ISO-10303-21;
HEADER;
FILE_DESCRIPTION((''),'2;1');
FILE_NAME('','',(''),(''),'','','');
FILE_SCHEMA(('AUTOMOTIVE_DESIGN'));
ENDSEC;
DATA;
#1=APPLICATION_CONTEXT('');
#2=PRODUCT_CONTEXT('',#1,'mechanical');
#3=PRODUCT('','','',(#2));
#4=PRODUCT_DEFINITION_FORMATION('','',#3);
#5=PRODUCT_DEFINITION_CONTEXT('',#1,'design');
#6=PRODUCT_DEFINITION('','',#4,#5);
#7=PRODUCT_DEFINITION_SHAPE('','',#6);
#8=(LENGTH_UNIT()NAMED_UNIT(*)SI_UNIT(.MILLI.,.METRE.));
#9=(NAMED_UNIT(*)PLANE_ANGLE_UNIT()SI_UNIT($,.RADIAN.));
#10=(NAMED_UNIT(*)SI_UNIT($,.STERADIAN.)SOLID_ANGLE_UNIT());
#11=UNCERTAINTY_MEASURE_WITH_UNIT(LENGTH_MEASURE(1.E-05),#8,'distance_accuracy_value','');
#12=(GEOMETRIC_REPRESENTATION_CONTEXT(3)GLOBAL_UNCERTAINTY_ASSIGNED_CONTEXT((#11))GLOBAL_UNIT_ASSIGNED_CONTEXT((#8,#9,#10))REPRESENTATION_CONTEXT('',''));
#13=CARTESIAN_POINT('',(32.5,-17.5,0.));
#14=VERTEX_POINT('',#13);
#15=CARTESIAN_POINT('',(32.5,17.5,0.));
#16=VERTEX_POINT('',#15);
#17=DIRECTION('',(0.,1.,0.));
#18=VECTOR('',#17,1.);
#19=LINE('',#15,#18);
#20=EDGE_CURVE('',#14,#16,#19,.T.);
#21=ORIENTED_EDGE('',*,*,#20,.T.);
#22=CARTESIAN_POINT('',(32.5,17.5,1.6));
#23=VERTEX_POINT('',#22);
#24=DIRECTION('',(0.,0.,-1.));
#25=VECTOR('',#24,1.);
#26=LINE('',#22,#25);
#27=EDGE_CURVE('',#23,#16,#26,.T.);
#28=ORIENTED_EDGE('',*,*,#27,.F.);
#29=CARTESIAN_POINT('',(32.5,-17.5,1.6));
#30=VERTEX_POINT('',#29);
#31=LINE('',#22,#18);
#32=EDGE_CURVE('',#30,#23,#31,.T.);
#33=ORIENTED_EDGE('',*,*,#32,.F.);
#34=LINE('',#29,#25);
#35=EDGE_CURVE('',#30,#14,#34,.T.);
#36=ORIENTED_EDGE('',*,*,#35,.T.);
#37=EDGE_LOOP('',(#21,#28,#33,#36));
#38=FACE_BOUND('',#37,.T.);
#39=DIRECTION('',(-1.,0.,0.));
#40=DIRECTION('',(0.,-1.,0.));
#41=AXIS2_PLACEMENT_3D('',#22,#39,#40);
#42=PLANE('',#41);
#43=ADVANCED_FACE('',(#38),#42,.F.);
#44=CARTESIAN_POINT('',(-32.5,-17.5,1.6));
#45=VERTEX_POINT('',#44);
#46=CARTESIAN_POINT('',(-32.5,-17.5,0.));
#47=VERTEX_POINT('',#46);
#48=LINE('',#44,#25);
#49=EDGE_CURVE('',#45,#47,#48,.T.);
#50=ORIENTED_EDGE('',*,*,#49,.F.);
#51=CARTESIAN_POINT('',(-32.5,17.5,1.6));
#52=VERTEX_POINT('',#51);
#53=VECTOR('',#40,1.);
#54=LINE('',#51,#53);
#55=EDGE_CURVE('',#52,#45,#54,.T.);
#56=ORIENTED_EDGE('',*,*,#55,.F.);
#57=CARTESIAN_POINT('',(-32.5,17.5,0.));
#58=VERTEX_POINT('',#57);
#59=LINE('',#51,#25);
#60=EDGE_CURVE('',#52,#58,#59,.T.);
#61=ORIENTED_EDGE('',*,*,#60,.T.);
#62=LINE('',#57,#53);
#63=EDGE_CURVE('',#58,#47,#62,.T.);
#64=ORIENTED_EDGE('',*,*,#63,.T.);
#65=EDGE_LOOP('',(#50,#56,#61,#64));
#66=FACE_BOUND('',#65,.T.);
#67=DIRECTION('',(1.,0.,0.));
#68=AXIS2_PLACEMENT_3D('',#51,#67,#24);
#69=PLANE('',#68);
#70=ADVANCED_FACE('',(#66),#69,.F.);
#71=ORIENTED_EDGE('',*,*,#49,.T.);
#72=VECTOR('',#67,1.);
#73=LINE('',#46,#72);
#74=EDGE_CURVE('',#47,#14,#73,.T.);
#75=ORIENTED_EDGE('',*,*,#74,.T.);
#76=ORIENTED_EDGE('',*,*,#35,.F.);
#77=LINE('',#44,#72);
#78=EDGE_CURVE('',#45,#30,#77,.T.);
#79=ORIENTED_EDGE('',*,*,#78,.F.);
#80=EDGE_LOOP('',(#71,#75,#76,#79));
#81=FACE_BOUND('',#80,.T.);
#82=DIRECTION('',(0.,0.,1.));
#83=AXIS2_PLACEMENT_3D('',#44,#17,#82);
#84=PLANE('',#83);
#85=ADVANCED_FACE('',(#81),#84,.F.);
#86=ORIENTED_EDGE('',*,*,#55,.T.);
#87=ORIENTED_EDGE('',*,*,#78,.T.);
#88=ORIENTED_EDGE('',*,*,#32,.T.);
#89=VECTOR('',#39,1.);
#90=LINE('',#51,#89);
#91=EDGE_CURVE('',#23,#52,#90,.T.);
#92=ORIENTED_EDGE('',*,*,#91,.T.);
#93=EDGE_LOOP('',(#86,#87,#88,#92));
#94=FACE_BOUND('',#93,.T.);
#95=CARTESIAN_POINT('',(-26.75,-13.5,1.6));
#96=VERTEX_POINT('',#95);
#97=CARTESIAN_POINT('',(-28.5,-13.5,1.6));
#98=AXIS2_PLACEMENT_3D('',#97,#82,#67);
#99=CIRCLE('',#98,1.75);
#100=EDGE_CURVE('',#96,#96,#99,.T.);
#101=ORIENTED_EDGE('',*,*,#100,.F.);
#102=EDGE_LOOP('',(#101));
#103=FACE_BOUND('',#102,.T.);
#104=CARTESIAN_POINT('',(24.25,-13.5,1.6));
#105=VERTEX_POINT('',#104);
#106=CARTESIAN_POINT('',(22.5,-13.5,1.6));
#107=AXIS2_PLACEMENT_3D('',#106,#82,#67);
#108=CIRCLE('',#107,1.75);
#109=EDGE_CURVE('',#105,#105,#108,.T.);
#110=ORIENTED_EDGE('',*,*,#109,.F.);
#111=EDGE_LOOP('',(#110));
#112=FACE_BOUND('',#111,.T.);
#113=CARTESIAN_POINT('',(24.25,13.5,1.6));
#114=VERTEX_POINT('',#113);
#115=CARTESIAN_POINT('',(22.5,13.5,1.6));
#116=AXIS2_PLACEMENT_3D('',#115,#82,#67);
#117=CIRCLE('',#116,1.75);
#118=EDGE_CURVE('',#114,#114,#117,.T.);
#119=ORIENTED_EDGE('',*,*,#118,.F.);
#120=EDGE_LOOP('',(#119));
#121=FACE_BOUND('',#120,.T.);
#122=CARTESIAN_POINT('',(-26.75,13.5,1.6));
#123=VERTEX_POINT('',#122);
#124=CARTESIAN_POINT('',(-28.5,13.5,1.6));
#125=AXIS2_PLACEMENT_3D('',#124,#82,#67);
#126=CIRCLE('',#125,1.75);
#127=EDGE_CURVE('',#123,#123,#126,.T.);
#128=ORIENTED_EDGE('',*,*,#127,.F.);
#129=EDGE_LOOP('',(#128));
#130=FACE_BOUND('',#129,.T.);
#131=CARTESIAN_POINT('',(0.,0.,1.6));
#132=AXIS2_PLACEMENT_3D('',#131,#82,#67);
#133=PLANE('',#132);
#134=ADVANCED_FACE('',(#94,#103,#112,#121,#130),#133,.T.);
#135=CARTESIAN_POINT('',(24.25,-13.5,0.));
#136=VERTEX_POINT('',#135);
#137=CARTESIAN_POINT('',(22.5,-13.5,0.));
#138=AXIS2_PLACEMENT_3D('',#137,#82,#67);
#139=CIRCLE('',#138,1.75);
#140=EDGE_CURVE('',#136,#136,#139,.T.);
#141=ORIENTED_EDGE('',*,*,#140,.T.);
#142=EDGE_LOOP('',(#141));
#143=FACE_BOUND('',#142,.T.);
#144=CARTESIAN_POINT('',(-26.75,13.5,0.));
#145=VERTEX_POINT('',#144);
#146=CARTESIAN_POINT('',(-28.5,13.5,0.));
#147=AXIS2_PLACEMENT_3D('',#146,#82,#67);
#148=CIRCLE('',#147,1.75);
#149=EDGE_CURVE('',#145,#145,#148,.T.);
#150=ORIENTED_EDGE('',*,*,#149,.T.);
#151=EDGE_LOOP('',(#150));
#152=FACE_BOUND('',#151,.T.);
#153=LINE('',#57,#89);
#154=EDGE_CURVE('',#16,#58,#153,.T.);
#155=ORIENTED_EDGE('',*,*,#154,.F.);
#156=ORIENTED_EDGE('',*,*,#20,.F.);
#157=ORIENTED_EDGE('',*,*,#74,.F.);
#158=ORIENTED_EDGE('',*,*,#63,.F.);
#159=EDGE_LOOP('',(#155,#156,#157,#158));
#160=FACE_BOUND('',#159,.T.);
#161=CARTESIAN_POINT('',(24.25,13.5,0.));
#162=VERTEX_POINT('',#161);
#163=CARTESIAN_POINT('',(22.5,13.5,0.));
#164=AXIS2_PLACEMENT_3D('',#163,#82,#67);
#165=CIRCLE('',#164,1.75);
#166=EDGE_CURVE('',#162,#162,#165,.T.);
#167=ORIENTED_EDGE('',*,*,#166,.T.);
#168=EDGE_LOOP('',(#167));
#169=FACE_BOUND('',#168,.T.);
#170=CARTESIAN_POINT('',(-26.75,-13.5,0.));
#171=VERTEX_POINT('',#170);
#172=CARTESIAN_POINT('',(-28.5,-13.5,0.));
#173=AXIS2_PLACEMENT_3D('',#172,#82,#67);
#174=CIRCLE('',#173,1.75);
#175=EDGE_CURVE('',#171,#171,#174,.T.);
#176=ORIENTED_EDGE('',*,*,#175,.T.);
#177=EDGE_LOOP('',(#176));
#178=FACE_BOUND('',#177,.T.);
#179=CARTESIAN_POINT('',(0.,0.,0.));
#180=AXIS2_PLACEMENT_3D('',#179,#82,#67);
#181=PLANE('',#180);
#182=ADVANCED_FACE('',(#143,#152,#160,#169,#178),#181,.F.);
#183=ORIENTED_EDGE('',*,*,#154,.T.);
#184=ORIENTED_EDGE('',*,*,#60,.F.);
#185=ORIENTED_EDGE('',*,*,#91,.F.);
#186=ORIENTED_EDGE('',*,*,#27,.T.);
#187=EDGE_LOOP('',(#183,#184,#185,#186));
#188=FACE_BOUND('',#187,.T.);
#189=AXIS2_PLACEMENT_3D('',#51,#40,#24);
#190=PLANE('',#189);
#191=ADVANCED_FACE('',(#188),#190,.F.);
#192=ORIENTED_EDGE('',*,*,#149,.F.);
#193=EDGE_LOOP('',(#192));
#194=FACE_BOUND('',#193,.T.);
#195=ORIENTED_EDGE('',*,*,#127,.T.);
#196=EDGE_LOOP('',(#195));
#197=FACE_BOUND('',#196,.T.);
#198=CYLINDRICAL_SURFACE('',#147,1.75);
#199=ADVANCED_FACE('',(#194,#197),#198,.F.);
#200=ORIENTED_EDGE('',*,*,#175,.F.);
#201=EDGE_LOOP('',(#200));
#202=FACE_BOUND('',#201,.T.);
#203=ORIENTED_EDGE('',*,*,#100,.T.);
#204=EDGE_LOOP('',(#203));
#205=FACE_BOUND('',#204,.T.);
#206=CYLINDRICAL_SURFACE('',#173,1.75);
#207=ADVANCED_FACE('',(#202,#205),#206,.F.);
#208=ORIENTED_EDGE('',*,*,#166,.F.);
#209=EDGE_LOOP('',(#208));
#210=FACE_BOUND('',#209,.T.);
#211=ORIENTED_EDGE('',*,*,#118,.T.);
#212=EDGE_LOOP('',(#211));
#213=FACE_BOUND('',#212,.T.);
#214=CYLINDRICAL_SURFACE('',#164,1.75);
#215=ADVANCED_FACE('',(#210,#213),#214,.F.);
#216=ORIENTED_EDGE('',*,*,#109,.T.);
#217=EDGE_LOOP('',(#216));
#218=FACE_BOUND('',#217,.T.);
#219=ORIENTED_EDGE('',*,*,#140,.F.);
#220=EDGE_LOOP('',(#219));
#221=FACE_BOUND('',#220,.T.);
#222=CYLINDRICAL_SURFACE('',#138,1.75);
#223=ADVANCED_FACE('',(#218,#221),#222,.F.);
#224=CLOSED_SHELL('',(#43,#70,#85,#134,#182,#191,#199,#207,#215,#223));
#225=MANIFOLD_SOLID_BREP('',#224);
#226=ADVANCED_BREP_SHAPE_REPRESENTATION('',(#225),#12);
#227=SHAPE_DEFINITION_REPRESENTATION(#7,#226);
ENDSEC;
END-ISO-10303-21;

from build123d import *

# Parameters (mm, degrees)
SKETCH2_W           = 65
SKETCH2_H           = 35
BOSS_EXTRUDE1_DEPTH = 1.6
SKETCH3_R           = 1.75
CUT_EXTRUDE1_DEPTH  = 1.6


with BuildPart() as part:
    # Sketch2 → Boss-Extrude1 (new body)
    with BuildSketch(Plane.XY):
        Rectangle(SKETCH2_W, SKETCH2_H)
    extrude(amount=BOSS_EXTRUDE1_DEPTH)

    # Sketch3 → Cut-Extrude1 (cut)
    with BuildSketch(Plane.XY.offset(1.6)):
        with Locations((-28.5, 13.5)):
            Circle(SKETCH3_R)
        with Locations((-28.5, -13.5)):
            Circle(SKETCH3_R)
        with Locations((22.5, 13.5)):
            Circle(SKETCH3_R)
        with Locations((22.5, -13.5)):
            Circle(SKETCH3_R)
    extrude(amount=-CUT_EXTRUDE1_DEPTH, mode=Mode.SUBTRACT)


solid = part.part
